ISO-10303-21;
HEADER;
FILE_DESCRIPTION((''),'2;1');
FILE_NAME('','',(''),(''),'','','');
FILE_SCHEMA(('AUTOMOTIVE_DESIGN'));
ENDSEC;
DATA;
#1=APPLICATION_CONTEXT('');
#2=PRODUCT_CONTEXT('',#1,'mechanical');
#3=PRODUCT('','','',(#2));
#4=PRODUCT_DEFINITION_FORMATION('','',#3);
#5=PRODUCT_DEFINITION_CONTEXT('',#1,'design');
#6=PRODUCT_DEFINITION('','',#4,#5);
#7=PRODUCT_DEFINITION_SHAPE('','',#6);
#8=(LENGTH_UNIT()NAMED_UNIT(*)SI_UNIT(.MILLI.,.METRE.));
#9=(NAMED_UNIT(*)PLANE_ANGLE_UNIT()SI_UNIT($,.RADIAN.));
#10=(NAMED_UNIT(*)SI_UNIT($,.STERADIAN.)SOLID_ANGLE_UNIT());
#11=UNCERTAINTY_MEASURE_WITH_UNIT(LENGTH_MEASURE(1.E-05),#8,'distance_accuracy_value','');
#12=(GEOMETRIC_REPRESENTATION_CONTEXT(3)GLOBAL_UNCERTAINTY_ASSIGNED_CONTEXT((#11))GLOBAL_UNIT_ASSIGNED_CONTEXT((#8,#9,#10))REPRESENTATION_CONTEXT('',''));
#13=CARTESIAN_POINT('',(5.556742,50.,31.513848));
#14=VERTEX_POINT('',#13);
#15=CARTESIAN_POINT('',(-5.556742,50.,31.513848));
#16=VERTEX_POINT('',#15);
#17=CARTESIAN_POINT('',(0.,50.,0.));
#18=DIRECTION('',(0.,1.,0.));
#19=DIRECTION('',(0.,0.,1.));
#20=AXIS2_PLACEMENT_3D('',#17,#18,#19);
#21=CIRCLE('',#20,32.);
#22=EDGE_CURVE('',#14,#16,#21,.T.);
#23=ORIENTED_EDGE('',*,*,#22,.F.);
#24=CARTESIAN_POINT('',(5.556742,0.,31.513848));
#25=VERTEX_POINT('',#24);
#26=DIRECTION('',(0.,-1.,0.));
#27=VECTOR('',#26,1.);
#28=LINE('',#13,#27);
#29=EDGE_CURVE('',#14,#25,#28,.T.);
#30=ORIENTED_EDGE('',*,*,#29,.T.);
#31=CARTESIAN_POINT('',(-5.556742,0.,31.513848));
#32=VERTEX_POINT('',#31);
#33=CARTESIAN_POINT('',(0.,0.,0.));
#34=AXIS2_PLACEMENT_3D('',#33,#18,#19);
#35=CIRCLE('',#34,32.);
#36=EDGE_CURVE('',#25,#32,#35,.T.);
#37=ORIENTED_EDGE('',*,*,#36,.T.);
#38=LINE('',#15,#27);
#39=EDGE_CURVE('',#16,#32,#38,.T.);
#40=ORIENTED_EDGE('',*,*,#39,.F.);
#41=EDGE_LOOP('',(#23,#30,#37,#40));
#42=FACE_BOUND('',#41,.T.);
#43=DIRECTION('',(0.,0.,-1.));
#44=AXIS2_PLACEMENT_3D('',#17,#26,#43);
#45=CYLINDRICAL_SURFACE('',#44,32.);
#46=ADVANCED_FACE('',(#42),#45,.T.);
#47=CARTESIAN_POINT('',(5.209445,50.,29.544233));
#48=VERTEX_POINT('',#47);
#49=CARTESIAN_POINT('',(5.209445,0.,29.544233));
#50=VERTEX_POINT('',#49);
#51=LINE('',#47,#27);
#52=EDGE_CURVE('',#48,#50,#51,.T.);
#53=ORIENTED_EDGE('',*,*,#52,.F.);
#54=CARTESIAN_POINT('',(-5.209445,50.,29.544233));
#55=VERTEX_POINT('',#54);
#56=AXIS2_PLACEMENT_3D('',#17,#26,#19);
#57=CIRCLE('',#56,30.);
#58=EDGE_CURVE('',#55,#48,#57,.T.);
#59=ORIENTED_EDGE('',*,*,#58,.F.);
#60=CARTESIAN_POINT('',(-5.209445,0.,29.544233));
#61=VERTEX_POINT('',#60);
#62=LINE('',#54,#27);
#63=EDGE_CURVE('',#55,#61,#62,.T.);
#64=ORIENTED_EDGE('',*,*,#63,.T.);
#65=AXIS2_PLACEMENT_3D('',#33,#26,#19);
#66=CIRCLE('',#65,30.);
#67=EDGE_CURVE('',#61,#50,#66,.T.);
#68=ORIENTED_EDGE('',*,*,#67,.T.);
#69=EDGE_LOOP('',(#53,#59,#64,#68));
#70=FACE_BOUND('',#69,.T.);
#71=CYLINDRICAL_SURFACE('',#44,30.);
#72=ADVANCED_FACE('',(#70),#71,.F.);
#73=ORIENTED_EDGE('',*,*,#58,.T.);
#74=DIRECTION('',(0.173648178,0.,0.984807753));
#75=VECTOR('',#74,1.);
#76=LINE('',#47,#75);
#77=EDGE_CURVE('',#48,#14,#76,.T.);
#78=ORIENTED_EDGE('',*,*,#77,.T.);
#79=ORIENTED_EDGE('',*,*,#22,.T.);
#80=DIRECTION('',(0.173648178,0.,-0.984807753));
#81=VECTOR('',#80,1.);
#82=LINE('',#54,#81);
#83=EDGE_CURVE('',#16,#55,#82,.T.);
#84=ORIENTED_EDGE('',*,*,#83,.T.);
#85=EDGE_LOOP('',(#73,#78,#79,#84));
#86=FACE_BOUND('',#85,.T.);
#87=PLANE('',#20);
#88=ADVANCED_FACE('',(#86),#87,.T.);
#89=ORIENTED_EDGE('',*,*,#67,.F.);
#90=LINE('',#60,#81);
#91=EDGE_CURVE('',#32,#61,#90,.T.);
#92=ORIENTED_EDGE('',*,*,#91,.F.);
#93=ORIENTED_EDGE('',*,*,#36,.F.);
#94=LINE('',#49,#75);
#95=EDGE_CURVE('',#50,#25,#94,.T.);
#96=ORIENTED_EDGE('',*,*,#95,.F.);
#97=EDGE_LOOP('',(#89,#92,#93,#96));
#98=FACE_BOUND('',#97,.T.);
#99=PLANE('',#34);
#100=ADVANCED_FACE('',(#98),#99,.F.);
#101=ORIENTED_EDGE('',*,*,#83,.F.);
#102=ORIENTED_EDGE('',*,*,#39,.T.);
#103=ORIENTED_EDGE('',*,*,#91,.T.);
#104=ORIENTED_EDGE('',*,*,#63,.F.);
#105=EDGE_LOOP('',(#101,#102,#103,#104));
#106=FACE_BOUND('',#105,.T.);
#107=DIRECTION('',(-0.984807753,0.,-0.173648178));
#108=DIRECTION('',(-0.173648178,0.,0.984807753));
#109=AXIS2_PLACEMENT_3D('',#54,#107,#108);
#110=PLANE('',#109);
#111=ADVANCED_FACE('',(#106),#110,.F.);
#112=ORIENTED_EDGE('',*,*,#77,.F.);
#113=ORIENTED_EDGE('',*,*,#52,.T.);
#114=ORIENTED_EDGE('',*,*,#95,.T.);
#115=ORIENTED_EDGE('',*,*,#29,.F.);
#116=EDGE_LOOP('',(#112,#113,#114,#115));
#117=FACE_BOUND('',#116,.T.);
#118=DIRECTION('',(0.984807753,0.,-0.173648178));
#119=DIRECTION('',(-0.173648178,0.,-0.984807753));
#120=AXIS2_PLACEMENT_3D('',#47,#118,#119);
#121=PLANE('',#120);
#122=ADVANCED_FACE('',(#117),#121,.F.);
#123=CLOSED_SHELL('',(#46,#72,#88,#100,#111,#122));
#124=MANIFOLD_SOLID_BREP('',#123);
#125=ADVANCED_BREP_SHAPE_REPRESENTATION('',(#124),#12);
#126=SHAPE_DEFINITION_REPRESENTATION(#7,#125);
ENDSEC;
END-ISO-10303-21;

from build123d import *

# Parameters (mm, degrees)
EXTRUDE1_DEPTH = 50


with BuildPart() as part:
    # Sketch1 → Extrude1 (new body)
    with BuildSketch(Plane(origin=(0, 0, 0), x_dir=(1, 0, 0), z_dir=(0, 1, 0))):
        with BuildLine():
            Line((5.20944533, -29.54423259), (5.556741685, -31.513848096))
            ThreePointArc((5.556741685, -31.513848096), (0, 32), (-5.556741685, -31.513848096))
            Line((-5.556741685, -31.513848096), (-5.20944533, -29.54423259))
            ThreePointArc((-5.20944533, -29.54423259), (0, 30), (5.20944533, -29.54423259))
        make_face()
    extrude(amount=EXTRUDE1_DEPTH)


solid = part.part
